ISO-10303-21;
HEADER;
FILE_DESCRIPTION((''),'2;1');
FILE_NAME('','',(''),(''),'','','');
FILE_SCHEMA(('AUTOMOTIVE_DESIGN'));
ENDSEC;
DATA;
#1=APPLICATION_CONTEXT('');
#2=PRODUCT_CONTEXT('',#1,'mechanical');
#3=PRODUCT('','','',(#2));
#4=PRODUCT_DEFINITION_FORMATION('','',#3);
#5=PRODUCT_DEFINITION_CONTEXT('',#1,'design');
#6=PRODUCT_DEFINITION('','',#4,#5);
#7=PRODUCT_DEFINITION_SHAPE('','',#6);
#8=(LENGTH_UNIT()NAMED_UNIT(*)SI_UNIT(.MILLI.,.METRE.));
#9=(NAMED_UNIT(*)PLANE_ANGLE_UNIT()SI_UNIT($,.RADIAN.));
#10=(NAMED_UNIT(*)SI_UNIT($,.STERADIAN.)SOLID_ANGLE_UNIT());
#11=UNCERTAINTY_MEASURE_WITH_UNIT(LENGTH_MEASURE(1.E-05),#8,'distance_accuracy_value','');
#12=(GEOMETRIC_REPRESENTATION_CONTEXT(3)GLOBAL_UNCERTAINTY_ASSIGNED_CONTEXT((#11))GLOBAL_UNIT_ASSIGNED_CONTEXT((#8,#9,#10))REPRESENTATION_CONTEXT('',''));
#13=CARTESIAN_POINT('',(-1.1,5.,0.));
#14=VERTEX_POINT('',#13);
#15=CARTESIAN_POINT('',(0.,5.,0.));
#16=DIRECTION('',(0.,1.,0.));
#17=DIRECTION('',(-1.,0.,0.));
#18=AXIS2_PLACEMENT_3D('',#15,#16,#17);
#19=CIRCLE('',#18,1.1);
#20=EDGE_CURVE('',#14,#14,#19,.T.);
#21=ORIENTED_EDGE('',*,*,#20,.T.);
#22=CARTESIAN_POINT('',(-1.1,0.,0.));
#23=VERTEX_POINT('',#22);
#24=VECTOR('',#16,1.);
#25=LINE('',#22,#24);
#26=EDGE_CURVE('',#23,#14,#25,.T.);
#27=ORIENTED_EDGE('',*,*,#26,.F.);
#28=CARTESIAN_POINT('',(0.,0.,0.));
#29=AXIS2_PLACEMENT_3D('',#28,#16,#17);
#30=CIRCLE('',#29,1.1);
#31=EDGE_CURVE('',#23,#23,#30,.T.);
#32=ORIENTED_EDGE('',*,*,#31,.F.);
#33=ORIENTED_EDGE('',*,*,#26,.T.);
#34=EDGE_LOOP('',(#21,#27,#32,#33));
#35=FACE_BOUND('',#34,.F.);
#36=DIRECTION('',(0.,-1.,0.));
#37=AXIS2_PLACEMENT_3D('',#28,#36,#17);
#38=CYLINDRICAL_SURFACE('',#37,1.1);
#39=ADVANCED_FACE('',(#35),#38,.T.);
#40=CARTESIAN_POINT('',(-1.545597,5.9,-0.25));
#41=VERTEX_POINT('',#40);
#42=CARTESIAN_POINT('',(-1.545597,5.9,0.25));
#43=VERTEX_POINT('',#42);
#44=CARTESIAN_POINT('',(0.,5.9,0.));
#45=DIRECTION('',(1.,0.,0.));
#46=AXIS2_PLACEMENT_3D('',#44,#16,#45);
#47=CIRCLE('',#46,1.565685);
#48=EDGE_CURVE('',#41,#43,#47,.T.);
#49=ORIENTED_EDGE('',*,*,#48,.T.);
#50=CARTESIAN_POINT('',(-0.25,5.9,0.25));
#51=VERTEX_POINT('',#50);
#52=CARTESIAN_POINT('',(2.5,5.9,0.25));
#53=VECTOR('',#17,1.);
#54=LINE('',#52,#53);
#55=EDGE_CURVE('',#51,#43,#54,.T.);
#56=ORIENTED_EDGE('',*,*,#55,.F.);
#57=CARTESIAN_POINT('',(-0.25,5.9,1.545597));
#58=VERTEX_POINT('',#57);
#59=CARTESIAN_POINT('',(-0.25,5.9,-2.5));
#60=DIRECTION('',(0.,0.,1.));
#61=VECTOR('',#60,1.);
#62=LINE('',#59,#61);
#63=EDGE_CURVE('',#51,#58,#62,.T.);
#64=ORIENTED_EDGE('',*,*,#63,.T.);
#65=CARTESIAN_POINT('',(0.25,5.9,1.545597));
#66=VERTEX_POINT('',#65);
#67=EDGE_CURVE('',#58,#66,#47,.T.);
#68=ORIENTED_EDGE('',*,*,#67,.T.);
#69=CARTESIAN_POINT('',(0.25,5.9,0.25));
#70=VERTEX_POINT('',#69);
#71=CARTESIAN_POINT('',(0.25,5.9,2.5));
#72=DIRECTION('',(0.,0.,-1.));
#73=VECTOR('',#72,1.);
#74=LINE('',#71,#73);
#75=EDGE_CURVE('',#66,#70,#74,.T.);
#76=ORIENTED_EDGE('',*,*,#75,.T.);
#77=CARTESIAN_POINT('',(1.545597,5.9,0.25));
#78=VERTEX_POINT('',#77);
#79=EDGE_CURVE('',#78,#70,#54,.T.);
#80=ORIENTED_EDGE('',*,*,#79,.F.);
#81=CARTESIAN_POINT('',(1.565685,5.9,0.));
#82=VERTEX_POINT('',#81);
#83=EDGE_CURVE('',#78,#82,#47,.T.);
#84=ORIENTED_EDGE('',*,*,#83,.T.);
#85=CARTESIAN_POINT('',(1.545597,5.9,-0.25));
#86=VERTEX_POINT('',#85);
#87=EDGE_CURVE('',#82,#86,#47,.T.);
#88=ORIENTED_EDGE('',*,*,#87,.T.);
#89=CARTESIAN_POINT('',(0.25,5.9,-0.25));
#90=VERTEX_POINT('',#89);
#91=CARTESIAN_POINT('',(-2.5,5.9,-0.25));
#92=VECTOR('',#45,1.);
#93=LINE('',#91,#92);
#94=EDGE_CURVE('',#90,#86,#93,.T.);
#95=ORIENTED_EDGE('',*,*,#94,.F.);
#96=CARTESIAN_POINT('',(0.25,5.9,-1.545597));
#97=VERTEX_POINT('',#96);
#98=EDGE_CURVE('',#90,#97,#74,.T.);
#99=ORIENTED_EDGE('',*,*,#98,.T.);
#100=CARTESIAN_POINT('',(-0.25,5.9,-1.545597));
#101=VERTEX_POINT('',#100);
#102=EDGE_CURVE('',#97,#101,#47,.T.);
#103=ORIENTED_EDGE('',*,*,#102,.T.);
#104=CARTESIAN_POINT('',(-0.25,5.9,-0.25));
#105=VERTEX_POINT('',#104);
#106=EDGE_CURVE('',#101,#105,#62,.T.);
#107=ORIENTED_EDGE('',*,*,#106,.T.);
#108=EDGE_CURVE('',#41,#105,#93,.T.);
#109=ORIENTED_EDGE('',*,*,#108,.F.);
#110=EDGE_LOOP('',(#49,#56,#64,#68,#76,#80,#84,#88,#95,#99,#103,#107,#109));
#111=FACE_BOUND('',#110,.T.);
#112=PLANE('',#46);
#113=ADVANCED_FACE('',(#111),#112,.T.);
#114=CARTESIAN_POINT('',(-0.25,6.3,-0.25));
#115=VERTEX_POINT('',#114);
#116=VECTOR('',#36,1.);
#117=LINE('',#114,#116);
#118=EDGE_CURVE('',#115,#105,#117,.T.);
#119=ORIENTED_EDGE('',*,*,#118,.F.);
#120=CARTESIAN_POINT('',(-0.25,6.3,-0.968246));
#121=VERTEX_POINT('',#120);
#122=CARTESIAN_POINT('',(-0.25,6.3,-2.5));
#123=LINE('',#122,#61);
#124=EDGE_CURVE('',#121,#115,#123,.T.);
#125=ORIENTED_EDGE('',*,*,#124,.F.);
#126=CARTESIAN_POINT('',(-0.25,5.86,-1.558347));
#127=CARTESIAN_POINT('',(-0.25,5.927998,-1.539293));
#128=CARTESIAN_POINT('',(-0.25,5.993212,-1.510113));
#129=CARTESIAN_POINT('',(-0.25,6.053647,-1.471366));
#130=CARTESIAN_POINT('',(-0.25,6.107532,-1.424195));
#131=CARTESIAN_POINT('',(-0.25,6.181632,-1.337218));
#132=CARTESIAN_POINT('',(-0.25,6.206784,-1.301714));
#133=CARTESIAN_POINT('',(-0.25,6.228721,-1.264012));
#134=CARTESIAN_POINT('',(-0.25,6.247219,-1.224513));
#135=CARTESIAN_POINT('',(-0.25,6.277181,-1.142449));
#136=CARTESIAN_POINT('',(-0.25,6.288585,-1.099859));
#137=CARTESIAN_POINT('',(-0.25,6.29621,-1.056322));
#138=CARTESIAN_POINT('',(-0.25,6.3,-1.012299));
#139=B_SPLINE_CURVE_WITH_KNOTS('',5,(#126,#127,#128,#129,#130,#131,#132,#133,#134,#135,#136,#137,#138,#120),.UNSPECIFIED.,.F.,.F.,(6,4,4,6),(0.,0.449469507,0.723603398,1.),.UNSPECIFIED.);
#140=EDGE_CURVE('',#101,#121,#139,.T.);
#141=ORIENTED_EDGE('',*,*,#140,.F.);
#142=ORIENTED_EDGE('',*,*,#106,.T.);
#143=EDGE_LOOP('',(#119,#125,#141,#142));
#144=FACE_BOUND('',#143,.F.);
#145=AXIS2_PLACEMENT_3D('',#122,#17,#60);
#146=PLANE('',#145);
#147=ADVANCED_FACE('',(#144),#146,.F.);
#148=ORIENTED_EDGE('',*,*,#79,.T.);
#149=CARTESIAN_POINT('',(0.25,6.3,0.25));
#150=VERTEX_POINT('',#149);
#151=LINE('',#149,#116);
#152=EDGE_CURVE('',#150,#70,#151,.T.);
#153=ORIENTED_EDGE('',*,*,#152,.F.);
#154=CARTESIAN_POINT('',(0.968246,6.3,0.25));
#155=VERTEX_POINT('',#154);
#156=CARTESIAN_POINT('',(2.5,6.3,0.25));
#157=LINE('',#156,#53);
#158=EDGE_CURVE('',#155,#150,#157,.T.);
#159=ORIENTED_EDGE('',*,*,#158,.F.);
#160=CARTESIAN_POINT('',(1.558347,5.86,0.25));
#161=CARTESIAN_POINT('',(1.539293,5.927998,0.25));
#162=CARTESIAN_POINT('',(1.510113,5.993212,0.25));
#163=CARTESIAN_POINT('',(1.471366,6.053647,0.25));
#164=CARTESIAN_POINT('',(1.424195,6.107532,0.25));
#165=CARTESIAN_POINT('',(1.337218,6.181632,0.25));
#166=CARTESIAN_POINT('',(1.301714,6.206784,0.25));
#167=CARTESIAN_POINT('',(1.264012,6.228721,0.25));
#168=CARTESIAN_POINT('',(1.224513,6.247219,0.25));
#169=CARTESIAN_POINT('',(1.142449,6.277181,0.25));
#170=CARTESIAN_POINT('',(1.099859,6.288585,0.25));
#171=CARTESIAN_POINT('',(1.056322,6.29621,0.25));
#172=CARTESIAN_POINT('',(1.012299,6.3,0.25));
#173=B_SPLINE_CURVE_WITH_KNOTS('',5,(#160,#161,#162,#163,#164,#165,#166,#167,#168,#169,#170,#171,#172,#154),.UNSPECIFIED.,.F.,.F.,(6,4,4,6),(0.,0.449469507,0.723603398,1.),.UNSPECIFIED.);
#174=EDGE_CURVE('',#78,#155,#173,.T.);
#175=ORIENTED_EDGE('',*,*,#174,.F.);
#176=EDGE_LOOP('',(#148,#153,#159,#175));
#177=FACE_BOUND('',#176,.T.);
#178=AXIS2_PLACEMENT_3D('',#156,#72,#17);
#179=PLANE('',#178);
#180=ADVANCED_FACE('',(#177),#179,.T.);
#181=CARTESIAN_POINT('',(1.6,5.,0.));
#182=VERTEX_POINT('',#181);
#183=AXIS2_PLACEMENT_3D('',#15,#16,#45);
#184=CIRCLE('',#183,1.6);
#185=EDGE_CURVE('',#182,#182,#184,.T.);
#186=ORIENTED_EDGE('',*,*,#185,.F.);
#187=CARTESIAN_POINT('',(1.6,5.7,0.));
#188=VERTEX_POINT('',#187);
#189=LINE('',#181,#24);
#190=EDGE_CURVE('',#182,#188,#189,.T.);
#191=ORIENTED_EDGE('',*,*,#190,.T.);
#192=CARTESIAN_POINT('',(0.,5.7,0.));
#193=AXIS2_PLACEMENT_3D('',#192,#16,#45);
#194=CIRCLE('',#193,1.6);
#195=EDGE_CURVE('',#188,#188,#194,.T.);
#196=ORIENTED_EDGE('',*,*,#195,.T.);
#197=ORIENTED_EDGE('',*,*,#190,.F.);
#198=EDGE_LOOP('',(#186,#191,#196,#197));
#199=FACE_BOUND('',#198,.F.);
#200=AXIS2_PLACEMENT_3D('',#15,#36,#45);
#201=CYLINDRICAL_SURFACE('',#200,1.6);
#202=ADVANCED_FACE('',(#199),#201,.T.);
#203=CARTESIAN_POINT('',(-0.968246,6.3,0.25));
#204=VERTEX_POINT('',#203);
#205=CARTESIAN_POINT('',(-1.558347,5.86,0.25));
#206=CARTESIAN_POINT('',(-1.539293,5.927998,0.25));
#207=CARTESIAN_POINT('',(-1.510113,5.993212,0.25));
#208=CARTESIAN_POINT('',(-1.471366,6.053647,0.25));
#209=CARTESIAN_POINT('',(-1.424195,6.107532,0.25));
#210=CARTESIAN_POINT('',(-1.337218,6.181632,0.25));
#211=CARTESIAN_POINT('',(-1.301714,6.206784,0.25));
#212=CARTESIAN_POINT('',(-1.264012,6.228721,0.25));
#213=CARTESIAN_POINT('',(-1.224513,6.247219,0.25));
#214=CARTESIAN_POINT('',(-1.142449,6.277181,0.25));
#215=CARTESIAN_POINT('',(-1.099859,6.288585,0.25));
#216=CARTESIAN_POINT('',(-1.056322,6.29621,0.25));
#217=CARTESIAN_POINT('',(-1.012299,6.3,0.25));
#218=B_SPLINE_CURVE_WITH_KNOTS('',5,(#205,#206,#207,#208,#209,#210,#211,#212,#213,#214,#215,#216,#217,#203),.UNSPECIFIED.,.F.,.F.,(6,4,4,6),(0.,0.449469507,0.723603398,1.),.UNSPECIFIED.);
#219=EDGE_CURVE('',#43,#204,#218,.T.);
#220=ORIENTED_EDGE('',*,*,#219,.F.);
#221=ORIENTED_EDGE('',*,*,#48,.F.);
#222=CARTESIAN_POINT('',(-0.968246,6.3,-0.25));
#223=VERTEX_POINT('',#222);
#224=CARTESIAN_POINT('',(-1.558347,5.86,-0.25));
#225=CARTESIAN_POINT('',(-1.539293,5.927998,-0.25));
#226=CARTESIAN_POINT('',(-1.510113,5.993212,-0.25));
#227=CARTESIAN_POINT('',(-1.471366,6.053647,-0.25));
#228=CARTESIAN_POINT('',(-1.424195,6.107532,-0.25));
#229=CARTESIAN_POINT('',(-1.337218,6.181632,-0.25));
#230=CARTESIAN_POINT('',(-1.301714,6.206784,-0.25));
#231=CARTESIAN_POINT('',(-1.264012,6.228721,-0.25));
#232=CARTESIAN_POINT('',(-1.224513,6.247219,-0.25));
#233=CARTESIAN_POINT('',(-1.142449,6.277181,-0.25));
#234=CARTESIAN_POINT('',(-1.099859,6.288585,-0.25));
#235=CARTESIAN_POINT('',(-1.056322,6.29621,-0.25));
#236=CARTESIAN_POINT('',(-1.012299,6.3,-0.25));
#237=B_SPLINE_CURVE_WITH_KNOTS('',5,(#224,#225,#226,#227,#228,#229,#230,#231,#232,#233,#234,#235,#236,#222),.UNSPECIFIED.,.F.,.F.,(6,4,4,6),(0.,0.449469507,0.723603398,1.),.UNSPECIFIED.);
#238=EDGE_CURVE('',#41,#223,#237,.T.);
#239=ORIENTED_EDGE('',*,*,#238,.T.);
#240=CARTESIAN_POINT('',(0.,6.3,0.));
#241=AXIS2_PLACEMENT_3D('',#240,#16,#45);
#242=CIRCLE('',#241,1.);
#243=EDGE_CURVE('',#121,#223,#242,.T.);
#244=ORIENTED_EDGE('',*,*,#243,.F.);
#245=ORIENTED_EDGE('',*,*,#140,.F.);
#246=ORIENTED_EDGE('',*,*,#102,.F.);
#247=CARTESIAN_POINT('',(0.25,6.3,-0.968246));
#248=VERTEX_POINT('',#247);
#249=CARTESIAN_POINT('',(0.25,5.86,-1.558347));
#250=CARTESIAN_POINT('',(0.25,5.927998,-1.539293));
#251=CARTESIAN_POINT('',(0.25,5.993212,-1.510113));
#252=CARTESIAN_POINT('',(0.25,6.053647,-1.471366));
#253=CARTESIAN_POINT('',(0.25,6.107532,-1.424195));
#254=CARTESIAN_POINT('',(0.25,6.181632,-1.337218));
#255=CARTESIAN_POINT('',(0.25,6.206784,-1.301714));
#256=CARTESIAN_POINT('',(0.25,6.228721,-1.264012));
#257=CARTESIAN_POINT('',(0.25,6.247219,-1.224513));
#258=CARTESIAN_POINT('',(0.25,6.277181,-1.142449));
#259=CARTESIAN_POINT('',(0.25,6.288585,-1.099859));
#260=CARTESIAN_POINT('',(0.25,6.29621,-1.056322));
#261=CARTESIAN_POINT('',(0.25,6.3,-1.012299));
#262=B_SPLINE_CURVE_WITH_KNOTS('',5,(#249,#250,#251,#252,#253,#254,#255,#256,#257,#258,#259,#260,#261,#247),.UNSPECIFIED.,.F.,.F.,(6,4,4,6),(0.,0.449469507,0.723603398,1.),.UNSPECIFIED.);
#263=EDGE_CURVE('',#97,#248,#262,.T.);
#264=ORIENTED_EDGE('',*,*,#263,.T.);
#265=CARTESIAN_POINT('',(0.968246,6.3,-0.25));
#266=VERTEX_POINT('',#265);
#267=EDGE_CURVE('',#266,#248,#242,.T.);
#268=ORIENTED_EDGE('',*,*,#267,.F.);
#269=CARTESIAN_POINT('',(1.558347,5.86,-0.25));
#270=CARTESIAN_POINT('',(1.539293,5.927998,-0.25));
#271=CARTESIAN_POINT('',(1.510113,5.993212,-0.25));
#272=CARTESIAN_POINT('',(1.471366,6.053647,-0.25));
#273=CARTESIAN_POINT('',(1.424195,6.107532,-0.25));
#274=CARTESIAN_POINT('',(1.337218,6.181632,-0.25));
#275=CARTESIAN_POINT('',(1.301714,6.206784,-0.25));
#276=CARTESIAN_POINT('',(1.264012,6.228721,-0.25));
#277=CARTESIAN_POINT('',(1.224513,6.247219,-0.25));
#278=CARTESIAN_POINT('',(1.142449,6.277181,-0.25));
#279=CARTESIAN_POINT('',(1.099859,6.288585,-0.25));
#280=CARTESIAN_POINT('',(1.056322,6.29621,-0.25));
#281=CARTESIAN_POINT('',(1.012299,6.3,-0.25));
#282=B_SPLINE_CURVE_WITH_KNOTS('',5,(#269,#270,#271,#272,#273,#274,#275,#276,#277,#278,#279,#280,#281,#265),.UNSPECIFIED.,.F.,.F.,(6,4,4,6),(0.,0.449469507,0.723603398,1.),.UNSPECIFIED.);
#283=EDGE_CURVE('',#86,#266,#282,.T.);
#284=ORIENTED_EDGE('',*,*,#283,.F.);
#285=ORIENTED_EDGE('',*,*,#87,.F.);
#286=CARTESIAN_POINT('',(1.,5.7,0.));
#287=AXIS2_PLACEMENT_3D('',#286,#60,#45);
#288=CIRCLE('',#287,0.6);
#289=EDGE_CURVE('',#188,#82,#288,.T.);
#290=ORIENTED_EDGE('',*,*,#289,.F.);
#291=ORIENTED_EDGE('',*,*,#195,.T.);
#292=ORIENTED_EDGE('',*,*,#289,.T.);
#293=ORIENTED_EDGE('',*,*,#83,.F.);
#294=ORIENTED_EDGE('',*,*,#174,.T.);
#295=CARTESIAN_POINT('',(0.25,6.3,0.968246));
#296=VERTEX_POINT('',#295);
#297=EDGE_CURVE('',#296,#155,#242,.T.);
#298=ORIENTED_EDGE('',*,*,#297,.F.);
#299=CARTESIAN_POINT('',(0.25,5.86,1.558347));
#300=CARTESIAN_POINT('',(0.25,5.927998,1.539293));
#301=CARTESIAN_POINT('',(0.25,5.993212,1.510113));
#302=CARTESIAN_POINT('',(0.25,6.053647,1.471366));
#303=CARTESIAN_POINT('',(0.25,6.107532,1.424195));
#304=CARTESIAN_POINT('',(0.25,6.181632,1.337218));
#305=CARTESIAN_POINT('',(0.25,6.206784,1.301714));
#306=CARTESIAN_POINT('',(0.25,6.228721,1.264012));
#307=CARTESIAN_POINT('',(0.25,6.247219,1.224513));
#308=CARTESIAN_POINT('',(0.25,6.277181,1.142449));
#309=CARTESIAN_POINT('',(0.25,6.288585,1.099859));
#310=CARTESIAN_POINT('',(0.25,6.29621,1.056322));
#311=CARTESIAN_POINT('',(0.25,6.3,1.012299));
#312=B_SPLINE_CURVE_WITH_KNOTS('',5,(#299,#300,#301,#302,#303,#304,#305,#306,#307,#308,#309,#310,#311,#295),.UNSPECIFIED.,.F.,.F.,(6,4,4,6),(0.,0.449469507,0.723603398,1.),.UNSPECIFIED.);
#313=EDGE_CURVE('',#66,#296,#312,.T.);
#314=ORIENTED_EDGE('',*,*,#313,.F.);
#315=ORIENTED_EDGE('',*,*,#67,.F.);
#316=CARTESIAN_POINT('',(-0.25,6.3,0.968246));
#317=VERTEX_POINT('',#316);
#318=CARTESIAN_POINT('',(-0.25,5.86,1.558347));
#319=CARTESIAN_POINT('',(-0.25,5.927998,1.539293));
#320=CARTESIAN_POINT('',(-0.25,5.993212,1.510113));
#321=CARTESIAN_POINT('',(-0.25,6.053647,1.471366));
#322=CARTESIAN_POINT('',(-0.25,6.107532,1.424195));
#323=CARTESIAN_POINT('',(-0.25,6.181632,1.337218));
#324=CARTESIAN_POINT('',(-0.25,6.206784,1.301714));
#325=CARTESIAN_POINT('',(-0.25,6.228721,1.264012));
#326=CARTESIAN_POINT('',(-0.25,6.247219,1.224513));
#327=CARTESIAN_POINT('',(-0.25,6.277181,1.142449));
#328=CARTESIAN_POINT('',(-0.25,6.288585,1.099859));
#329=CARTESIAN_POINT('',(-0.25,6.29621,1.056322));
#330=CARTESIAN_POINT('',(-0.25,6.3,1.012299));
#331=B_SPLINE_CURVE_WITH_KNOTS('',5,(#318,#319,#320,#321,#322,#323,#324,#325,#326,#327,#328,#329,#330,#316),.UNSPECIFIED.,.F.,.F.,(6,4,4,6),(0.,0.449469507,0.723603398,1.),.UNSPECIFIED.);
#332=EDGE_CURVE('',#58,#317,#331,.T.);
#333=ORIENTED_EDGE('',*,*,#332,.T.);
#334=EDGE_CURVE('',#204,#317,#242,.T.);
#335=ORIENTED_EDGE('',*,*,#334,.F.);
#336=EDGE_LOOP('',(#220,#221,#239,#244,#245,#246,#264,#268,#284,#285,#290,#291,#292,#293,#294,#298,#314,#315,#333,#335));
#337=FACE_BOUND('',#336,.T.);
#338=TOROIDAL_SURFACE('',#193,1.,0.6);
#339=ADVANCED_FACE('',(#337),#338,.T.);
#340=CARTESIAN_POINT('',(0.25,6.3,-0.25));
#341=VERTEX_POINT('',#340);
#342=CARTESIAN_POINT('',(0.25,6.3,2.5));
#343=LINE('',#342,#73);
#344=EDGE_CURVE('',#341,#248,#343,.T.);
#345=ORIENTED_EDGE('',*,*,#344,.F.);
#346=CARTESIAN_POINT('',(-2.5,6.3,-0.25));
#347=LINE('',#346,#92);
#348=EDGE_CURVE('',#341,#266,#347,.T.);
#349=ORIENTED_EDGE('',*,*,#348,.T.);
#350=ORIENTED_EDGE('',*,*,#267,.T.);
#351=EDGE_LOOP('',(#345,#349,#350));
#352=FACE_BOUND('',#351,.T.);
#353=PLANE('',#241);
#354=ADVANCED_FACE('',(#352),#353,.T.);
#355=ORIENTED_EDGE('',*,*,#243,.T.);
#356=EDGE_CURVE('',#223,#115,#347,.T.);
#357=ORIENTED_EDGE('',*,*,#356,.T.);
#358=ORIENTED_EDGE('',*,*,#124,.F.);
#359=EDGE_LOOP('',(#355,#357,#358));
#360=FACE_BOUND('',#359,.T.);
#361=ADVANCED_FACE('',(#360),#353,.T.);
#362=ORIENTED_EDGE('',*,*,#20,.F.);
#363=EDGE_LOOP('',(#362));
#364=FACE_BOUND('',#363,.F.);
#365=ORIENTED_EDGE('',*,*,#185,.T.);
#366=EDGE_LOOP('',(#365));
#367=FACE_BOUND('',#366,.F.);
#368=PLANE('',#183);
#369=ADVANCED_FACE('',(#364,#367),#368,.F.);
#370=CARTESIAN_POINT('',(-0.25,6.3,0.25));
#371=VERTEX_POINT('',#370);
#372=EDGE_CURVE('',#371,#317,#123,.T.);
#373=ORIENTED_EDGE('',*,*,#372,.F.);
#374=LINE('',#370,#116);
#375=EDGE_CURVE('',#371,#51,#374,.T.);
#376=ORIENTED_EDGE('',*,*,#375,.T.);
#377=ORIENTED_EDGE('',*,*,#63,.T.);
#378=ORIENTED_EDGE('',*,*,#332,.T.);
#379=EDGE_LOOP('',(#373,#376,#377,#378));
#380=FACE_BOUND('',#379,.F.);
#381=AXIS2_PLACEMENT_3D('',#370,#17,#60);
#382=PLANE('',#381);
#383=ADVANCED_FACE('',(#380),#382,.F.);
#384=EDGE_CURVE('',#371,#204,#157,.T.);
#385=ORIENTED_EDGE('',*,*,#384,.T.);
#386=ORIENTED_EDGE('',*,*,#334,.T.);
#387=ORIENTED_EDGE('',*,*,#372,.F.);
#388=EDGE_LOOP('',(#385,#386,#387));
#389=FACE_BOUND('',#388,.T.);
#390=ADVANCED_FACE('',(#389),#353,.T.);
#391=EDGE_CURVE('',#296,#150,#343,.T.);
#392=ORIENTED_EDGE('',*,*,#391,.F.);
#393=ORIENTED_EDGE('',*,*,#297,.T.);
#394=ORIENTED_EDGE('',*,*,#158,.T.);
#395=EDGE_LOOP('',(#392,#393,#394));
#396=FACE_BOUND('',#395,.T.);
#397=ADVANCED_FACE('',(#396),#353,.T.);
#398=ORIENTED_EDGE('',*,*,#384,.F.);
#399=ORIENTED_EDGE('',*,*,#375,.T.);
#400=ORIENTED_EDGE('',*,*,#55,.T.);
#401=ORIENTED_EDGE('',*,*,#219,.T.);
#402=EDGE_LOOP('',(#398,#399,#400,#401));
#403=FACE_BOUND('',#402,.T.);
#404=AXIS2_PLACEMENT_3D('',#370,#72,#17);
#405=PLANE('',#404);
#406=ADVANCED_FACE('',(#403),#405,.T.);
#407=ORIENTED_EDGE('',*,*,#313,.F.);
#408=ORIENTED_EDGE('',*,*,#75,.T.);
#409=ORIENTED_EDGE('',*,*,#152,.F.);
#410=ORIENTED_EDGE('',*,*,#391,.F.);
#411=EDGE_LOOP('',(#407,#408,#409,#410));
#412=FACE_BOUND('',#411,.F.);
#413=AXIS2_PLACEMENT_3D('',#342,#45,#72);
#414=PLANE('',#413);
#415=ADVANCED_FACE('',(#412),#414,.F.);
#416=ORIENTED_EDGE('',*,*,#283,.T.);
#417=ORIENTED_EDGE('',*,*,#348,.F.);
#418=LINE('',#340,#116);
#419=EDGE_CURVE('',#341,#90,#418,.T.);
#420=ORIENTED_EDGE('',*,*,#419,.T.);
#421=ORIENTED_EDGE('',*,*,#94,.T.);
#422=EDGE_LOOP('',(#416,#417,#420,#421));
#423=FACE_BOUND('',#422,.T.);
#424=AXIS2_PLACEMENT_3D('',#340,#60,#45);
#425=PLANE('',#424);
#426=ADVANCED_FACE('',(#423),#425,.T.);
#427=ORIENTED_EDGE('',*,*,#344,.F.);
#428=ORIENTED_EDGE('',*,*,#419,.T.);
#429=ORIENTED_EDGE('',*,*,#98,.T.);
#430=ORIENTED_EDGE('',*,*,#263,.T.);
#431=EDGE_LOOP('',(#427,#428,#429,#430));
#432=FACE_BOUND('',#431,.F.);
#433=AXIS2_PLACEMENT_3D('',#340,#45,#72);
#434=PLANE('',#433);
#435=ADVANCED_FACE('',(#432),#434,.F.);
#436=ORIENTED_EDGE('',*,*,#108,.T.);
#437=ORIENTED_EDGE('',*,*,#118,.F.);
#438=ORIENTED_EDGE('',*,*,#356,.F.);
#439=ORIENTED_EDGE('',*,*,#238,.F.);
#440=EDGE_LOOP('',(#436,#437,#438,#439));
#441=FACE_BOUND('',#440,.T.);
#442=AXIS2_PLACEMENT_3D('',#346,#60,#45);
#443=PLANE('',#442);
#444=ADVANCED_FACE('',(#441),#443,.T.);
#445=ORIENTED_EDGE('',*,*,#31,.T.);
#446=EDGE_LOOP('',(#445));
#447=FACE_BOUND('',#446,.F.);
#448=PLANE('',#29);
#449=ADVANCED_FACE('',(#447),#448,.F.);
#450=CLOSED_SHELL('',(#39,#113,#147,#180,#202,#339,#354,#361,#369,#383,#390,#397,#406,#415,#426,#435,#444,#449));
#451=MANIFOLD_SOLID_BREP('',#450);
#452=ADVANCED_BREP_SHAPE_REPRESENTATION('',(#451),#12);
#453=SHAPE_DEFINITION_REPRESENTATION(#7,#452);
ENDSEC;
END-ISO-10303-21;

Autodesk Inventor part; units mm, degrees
ref_plane "YZ Plane" through (0, 0, 0) normal (1, 0, 0) x (0, 1, 0)
ref_plane "XZ Plane" through (0, 0, 0) normal (0, 1, 0) x (-1, 0, 0)
ref_plane "XY Plane" through (0, 0, 0) normal (0, 0, 1) x (1, 0, 0)
sketch "Sketch1" plane through (0, 0, 0) normal (0, 1, 0) x (-1, 0, 0)
  circle A0 centre (0, 0) radius 1.1
  dimension "d0" = 2.2
extrude "Extrusion1" add sketch "Sketch1" along normal blind 5
sketch "Sketch2" plane through (0, 5, 0) normal (0, 1, 0) x (1, 0, 0)
  circle A0 centre (0, 0) radius 1.6
  dimension "d3" = 3.2
extrude "Extrusion2" add sketch "Sketch2" along normal blind 1.3
fillet "Fillet1" radius 0.6 1 edges at (-1.6, 6.3, 0)
sketch "Sketch3" plane through (0, 6.3, 0) normal (0, 1, 0) x (1, 0, 0)
  line L0 (0.25, 2.5) -> (-0.25, 2.5)
  line L1 (-0.25, 2.5) -> (-0.25, -2.5)
  line L2 (-0.25, -2.5) -> (0.25, -2.5)
  line L3 (0.25, -2.5) -> (0.25, 2.5)
  line L4 (0.25, 2.5) -> (-0.25, -2.5) construction
  line L5 (-0.25, 2.5) -> (0.25, -2.5) construction
  line L6 (2.5, 0.25) -> (2.5, -0.25)
  line L7 (2.5, -0.25) -> (-2.5, -0.25)
  line L8 (-2.5, -0.25) -> (-2.5, 0.25)
  line L9 (-2.5, 0.25) -> (2.5, 0.25)
  line L10 (2.5, 0.25) -> (-2.5, -0.25) construction
  line L11 (2.5, -0.25) -> (-2.5, 0.25) construction
  line L12 (2.5, 0.25) -> (3, 0.25) construction
  point P0 (0, 0)
  dimension "d9" = 0.5
  dimension "d10" = 5
  dimension "d11" = 0.5
  dimension "d12" = 90
  dimension "d13" = 5
extrude "Extrusion3" cut sketch "Sketch3" against normal blind 0.4
thread "Thread2" size "M2.2x0.45" class "6g" standard "ANSI Metric M Profile" full length
properties part number "8mm M3"
